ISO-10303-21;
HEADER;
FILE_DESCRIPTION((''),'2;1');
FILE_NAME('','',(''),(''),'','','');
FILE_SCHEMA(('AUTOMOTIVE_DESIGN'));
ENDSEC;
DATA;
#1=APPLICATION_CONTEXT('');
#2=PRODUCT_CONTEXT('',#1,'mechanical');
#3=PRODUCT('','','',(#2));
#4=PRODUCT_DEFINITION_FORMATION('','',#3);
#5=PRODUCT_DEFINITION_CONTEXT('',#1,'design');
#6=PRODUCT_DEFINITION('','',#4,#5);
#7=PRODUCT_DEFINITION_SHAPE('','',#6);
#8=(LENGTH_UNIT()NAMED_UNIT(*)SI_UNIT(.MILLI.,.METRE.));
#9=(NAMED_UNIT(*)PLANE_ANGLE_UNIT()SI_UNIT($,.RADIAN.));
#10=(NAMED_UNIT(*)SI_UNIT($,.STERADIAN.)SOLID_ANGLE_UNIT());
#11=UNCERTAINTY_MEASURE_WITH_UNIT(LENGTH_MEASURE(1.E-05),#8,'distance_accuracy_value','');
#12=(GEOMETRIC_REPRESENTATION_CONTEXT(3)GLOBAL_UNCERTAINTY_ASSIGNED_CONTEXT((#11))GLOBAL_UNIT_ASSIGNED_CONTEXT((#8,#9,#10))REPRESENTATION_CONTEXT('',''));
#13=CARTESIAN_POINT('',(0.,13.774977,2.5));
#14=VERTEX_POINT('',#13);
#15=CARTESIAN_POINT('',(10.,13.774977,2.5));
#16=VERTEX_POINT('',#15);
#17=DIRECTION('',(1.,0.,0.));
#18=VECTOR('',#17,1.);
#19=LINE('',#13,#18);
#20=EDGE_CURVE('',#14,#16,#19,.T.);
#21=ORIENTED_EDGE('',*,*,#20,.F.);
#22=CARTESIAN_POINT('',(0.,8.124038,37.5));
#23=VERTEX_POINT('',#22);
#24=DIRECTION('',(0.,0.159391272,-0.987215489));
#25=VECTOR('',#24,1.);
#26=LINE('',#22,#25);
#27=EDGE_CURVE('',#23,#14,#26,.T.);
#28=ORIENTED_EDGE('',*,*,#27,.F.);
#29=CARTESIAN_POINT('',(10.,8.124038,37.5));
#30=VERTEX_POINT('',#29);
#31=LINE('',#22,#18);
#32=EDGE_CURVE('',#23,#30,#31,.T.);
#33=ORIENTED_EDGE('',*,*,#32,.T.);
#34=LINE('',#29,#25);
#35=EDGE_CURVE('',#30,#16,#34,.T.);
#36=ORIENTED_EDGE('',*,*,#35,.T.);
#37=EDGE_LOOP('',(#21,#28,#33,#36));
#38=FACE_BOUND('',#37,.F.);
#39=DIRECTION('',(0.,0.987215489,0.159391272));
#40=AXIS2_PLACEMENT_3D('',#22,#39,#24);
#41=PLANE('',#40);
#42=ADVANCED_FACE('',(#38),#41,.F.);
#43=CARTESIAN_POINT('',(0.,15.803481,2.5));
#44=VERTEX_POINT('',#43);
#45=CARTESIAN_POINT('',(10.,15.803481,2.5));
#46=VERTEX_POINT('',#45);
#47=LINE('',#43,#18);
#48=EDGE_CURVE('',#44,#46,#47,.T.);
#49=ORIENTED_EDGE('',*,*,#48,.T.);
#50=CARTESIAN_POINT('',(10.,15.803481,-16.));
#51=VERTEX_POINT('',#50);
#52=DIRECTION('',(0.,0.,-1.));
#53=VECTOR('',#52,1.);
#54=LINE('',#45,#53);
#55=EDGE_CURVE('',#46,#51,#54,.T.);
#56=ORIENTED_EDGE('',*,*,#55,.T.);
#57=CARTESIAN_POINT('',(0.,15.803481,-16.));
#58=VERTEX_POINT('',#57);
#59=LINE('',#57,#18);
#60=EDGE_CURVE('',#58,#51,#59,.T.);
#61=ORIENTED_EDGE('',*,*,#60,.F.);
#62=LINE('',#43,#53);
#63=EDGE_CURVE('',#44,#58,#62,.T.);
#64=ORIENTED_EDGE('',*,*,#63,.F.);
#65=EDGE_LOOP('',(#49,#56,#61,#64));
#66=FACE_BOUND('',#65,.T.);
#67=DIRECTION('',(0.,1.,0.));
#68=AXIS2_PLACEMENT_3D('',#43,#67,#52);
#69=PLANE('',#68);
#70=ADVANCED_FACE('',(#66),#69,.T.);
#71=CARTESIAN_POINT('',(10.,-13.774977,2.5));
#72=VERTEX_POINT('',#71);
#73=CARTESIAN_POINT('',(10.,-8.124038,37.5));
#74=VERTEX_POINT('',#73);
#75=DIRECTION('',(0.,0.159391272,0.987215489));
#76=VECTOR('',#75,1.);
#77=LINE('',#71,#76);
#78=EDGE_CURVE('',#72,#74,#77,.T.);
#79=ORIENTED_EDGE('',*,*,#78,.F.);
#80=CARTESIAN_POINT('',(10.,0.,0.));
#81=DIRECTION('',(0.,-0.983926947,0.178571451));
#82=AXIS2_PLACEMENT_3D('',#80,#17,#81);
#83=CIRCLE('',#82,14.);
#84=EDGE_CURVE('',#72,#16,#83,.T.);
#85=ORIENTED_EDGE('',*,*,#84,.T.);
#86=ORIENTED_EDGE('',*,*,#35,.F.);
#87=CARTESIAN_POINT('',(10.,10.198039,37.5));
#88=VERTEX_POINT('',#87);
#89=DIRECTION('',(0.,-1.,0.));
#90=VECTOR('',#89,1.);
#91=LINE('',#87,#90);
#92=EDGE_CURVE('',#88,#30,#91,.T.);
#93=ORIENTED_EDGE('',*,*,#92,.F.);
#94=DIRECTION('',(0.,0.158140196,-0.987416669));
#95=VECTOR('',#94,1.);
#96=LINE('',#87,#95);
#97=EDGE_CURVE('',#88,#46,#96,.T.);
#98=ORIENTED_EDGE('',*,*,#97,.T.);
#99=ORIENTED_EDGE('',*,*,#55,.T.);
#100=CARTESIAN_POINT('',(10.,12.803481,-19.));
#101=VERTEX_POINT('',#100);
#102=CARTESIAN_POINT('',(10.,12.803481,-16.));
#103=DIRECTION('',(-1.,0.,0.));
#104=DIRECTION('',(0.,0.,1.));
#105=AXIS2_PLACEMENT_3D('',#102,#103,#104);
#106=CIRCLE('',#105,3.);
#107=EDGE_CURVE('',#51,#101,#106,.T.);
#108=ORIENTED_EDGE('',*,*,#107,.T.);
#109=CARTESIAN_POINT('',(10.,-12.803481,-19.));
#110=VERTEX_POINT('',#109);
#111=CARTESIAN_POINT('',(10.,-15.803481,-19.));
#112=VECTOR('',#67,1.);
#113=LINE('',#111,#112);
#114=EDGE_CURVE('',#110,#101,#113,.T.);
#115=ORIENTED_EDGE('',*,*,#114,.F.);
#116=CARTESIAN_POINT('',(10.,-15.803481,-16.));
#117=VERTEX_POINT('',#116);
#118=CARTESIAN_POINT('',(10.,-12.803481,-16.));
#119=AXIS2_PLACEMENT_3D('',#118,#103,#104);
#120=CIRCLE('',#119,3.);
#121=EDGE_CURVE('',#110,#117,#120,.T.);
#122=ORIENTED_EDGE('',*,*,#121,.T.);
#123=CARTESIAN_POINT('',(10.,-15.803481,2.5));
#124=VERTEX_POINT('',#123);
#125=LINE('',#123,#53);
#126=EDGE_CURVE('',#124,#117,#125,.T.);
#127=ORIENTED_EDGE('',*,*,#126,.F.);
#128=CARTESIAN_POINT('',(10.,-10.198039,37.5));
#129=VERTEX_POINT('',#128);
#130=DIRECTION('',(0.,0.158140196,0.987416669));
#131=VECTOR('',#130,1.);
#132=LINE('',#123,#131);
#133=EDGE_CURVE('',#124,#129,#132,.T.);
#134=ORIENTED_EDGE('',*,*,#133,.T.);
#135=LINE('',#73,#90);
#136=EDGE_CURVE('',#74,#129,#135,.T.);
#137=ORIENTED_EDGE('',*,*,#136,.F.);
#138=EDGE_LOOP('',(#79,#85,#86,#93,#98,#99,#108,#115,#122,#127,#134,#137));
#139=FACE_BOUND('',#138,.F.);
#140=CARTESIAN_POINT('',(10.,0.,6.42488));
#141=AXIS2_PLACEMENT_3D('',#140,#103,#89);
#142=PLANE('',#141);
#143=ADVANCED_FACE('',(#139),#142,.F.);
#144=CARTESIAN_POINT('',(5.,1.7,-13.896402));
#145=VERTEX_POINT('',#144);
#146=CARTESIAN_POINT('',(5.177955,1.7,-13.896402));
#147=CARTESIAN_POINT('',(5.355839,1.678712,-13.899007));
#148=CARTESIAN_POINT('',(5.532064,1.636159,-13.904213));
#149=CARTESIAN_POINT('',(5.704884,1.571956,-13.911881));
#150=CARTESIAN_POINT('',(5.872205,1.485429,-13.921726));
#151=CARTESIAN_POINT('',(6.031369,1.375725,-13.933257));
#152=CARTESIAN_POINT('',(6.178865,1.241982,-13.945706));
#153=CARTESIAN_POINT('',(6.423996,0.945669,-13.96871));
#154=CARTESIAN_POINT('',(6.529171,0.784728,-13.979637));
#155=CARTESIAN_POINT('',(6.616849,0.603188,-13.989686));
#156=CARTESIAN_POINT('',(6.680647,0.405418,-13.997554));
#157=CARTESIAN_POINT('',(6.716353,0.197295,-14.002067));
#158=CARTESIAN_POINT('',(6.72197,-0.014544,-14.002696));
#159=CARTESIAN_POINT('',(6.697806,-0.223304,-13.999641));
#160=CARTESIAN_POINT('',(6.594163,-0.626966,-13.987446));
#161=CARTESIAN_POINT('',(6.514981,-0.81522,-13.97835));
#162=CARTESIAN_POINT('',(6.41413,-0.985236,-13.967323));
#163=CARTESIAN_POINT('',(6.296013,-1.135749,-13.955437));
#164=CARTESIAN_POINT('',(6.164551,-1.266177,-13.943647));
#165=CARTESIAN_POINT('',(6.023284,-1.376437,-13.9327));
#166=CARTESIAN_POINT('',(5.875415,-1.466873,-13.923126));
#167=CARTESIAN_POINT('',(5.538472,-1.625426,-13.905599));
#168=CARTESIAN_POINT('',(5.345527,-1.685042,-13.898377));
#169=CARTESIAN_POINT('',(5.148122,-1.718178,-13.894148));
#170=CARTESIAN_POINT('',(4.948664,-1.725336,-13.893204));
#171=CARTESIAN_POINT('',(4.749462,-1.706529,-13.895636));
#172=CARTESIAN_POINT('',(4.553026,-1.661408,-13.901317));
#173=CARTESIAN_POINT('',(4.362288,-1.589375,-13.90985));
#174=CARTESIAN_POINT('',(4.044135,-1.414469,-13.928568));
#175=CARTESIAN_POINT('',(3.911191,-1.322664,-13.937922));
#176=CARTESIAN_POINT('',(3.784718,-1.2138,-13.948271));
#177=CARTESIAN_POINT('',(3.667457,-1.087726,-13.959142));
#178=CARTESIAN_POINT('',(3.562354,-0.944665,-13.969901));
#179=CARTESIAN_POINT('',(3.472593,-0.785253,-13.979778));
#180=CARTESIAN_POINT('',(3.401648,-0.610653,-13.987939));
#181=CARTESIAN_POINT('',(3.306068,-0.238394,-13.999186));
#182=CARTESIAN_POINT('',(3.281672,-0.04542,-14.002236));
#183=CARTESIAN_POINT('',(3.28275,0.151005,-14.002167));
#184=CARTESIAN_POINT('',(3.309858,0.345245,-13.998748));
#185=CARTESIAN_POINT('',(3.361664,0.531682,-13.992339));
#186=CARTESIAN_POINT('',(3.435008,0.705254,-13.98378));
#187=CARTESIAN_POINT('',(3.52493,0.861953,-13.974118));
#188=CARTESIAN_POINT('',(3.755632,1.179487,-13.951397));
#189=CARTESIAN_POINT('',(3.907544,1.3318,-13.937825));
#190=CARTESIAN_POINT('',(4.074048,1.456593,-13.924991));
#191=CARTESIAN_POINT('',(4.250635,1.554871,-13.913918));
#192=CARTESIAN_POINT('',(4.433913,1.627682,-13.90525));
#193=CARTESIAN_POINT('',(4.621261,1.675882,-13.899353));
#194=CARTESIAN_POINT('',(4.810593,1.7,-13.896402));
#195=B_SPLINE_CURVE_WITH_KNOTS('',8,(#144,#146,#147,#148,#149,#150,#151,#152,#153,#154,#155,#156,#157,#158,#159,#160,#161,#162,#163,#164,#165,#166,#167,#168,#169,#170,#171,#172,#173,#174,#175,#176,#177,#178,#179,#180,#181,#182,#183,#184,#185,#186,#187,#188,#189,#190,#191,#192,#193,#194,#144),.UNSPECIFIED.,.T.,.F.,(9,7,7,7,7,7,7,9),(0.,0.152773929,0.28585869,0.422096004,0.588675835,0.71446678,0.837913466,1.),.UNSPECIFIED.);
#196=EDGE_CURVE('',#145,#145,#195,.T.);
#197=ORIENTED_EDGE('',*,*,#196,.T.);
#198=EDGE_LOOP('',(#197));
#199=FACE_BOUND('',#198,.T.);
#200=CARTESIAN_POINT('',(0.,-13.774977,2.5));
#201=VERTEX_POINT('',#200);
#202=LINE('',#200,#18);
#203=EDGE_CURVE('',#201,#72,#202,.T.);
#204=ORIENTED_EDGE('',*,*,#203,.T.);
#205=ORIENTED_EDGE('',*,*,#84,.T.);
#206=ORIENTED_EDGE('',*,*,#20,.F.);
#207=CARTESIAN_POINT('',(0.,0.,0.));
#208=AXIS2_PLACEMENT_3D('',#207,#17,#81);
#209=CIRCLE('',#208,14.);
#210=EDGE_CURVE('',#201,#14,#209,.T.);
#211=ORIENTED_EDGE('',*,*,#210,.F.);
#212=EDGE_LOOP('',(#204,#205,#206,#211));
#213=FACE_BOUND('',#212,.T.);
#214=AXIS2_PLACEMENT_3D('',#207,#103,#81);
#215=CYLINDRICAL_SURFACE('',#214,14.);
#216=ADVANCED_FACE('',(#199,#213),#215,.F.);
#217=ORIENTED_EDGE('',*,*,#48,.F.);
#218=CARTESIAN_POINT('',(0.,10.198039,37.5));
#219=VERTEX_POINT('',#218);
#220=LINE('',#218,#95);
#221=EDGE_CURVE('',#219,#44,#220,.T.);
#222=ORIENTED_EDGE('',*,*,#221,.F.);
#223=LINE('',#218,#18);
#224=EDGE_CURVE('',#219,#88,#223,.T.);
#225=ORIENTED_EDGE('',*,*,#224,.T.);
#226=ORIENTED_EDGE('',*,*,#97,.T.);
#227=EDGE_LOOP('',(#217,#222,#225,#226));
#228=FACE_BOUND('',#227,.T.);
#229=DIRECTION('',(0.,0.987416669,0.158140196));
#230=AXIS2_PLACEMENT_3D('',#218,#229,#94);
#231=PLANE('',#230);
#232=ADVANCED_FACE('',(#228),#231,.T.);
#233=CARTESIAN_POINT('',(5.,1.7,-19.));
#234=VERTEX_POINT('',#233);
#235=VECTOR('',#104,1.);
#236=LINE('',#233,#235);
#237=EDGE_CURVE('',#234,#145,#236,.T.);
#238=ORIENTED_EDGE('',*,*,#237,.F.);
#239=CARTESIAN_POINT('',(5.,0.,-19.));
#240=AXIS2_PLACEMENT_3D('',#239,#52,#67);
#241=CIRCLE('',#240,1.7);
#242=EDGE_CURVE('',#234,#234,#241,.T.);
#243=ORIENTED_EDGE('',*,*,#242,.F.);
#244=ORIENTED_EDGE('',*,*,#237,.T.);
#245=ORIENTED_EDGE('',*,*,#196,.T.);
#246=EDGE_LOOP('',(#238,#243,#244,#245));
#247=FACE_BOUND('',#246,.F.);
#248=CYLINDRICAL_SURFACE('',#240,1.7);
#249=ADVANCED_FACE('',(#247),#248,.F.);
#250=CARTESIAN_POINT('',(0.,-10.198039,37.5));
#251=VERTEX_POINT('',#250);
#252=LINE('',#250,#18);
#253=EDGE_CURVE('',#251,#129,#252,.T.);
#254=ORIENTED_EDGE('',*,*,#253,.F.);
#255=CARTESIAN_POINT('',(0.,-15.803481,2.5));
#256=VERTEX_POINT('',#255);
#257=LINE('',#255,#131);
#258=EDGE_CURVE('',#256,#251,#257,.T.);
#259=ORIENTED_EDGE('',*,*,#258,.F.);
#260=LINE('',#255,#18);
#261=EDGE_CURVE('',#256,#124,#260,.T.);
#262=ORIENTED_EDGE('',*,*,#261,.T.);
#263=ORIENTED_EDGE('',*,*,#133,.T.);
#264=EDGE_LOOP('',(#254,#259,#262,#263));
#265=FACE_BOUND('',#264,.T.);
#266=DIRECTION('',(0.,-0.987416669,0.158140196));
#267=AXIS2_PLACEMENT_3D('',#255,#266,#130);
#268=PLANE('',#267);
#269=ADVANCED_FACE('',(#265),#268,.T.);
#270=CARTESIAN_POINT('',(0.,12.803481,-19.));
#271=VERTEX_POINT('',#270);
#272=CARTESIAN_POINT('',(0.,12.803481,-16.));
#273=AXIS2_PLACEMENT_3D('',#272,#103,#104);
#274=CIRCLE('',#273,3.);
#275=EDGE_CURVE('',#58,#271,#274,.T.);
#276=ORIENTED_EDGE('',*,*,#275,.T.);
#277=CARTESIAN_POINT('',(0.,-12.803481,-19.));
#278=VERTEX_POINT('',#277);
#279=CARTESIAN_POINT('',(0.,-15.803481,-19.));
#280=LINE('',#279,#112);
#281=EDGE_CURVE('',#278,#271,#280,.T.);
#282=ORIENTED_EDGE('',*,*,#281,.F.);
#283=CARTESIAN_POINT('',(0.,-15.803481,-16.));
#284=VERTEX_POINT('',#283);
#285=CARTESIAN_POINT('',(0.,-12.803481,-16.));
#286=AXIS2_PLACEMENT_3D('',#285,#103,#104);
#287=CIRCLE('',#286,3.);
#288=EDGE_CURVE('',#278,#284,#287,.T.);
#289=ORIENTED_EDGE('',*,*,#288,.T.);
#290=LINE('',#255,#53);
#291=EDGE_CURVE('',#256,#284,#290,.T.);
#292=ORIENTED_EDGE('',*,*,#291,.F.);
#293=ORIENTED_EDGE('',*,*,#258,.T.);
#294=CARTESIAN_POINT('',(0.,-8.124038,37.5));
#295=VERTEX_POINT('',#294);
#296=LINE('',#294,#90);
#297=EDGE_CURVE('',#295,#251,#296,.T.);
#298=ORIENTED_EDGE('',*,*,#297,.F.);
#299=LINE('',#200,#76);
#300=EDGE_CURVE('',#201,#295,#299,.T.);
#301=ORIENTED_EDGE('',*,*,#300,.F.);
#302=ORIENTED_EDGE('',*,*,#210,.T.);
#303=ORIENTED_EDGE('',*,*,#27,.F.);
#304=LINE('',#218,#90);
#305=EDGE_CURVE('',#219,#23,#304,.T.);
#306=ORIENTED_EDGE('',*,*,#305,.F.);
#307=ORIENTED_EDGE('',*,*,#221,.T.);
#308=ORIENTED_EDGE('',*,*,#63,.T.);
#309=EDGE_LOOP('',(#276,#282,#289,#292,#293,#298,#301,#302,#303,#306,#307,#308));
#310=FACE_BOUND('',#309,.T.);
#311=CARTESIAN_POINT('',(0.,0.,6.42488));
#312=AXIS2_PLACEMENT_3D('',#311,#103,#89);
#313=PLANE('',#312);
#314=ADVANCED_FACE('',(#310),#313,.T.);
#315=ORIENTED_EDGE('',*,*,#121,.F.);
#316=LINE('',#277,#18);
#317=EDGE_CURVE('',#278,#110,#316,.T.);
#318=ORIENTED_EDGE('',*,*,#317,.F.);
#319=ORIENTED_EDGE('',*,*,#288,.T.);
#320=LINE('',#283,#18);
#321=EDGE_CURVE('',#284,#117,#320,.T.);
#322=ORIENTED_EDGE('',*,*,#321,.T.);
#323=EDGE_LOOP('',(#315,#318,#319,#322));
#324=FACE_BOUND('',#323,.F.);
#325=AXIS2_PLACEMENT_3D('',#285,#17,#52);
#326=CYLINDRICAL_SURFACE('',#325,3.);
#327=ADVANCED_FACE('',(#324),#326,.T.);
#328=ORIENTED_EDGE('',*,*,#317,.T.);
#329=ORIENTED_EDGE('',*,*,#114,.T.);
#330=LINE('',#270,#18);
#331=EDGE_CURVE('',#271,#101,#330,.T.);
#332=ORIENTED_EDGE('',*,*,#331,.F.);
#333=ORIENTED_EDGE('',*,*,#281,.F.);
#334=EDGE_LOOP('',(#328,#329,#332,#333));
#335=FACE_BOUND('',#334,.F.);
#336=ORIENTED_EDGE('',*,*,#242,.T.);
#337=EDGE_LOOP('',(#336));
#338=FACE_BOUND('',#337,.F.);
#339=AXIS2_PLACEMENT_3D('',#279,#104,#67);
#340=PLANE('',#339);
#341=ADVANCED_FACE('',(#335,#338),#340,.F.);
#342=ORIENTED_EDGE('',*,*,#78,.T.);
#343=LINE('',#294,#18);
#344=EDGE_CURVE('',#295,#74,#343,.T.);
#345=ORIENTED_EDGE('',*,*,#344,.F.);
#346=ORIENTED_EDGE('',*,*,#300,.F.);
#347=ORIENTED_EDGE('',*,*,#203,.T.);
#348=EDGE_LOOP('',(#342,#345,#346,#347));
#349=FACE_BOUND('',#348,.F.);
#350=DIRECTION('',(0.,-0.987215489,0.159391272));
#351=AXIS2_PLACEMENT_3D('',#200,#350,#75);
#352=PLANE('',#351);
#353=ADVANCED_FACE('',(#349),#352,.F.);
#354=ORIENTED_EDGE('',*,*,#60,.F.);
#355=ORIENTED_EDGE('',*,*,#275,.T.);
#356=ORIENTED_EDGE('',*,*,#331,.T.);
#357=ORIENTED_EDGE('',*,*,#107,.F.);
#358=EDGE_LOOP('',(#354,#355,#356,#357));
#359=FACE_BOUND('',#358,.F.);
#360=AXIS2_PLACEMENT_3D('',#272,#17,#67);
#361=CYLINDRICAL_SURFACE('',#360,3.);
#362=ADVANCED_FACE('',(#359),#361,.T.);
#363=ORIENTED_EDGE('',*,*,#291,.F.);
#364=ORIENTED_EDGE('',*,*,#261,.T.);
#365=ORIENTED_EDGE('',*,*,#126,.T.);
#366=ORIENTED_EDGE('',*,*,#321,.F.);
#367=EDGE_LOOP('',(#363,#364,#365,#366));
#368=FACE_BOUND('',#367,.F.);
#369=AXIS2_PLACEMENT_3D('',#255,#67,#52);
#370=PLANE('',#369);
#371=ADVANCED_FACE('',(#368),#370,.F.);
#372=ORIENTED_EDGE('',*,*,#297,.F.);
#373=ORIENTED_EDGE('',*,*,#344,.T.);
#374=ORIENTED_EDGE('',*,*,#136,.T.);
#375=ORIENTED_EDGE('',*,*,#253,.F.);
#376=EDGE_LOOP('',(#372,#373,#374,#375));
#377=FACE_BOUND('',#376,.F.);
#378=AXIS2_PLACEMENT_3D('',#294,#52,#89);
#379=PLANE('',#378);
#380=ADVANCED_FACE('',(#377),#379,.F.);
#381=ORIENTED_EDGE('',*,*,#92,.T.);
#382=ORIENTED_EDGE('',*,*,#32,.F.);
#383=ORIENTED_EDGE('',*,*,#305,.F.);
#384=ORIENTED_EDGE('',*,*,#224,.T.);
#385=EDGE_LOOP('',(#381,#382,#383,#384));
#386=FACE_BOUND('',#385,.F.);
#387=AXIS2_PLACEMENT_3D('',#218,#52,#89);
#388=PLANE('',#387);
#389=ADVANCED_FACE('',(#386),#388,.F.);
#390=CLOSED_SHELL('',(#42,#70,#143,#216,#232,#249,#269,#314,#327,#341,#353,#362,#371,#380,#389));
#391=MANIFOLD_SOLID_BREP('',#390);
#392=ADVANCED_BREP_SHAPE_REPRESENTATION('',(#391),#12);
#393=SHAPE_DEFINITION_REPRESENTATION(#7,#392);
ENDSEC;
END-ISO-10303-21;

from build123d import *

# Parameters (mm, degrees)
PAD_DEPTH    = 10
FILLET_R     = 3
SKETCH001_R  = 1.7
POCKET_DEPTH = 56.501


with BuildPart() as part:
    # Sketch → Pad (new body)
    with BuildSketch(Plane.YZ):
        with BuildLine():
            ThreePointArc((-13.774977, 2.5), (0, -14), (13.774977, 2.5))
            Line((8.124038, 37.5), (13.774977, 2.5))
            Line((10.198039, 37.5), (8.124038, 37.5))
            Line((10.198039, 37.5), (15.803481, 2.5))
            Line((15.803481, 2.5), (15.803481, -19))
            Line((-15.803481, -19), (15.803481, -19))
            Line((-15.803481, 2.5), (-15.803481, -19))
            Line((-15.803481, 2.5), (-10.198039, 37.5))
            Line((-8.124038, 37.5), (-10.198039, 37.5))
            Line((-13.774977, 2.5), (-8.124038, 37.5))
        make_face()
    extrude(amount=PAD_DEPTH)

    # Fillet
    fillet_edges = [part.edges().sort_by_distance(p)[0] for p in [
        (5, -15.803481, -19),
        (5, 15.803481, -19),
    ]]
    fillet(fillet_edges, radius=FILLET_R)

    # Sketch001 (on Face6 of Fillet) → Pocket (cut, through all)
    with BuildSketch(Plane.YX.offset(19)):
        with Locations((0, 5)):
            Circle(SKETCH001_R)
    extrude(amount=-POCKET_DEPTH, mode=Mode.SUBTRACT)


solid = part.part
